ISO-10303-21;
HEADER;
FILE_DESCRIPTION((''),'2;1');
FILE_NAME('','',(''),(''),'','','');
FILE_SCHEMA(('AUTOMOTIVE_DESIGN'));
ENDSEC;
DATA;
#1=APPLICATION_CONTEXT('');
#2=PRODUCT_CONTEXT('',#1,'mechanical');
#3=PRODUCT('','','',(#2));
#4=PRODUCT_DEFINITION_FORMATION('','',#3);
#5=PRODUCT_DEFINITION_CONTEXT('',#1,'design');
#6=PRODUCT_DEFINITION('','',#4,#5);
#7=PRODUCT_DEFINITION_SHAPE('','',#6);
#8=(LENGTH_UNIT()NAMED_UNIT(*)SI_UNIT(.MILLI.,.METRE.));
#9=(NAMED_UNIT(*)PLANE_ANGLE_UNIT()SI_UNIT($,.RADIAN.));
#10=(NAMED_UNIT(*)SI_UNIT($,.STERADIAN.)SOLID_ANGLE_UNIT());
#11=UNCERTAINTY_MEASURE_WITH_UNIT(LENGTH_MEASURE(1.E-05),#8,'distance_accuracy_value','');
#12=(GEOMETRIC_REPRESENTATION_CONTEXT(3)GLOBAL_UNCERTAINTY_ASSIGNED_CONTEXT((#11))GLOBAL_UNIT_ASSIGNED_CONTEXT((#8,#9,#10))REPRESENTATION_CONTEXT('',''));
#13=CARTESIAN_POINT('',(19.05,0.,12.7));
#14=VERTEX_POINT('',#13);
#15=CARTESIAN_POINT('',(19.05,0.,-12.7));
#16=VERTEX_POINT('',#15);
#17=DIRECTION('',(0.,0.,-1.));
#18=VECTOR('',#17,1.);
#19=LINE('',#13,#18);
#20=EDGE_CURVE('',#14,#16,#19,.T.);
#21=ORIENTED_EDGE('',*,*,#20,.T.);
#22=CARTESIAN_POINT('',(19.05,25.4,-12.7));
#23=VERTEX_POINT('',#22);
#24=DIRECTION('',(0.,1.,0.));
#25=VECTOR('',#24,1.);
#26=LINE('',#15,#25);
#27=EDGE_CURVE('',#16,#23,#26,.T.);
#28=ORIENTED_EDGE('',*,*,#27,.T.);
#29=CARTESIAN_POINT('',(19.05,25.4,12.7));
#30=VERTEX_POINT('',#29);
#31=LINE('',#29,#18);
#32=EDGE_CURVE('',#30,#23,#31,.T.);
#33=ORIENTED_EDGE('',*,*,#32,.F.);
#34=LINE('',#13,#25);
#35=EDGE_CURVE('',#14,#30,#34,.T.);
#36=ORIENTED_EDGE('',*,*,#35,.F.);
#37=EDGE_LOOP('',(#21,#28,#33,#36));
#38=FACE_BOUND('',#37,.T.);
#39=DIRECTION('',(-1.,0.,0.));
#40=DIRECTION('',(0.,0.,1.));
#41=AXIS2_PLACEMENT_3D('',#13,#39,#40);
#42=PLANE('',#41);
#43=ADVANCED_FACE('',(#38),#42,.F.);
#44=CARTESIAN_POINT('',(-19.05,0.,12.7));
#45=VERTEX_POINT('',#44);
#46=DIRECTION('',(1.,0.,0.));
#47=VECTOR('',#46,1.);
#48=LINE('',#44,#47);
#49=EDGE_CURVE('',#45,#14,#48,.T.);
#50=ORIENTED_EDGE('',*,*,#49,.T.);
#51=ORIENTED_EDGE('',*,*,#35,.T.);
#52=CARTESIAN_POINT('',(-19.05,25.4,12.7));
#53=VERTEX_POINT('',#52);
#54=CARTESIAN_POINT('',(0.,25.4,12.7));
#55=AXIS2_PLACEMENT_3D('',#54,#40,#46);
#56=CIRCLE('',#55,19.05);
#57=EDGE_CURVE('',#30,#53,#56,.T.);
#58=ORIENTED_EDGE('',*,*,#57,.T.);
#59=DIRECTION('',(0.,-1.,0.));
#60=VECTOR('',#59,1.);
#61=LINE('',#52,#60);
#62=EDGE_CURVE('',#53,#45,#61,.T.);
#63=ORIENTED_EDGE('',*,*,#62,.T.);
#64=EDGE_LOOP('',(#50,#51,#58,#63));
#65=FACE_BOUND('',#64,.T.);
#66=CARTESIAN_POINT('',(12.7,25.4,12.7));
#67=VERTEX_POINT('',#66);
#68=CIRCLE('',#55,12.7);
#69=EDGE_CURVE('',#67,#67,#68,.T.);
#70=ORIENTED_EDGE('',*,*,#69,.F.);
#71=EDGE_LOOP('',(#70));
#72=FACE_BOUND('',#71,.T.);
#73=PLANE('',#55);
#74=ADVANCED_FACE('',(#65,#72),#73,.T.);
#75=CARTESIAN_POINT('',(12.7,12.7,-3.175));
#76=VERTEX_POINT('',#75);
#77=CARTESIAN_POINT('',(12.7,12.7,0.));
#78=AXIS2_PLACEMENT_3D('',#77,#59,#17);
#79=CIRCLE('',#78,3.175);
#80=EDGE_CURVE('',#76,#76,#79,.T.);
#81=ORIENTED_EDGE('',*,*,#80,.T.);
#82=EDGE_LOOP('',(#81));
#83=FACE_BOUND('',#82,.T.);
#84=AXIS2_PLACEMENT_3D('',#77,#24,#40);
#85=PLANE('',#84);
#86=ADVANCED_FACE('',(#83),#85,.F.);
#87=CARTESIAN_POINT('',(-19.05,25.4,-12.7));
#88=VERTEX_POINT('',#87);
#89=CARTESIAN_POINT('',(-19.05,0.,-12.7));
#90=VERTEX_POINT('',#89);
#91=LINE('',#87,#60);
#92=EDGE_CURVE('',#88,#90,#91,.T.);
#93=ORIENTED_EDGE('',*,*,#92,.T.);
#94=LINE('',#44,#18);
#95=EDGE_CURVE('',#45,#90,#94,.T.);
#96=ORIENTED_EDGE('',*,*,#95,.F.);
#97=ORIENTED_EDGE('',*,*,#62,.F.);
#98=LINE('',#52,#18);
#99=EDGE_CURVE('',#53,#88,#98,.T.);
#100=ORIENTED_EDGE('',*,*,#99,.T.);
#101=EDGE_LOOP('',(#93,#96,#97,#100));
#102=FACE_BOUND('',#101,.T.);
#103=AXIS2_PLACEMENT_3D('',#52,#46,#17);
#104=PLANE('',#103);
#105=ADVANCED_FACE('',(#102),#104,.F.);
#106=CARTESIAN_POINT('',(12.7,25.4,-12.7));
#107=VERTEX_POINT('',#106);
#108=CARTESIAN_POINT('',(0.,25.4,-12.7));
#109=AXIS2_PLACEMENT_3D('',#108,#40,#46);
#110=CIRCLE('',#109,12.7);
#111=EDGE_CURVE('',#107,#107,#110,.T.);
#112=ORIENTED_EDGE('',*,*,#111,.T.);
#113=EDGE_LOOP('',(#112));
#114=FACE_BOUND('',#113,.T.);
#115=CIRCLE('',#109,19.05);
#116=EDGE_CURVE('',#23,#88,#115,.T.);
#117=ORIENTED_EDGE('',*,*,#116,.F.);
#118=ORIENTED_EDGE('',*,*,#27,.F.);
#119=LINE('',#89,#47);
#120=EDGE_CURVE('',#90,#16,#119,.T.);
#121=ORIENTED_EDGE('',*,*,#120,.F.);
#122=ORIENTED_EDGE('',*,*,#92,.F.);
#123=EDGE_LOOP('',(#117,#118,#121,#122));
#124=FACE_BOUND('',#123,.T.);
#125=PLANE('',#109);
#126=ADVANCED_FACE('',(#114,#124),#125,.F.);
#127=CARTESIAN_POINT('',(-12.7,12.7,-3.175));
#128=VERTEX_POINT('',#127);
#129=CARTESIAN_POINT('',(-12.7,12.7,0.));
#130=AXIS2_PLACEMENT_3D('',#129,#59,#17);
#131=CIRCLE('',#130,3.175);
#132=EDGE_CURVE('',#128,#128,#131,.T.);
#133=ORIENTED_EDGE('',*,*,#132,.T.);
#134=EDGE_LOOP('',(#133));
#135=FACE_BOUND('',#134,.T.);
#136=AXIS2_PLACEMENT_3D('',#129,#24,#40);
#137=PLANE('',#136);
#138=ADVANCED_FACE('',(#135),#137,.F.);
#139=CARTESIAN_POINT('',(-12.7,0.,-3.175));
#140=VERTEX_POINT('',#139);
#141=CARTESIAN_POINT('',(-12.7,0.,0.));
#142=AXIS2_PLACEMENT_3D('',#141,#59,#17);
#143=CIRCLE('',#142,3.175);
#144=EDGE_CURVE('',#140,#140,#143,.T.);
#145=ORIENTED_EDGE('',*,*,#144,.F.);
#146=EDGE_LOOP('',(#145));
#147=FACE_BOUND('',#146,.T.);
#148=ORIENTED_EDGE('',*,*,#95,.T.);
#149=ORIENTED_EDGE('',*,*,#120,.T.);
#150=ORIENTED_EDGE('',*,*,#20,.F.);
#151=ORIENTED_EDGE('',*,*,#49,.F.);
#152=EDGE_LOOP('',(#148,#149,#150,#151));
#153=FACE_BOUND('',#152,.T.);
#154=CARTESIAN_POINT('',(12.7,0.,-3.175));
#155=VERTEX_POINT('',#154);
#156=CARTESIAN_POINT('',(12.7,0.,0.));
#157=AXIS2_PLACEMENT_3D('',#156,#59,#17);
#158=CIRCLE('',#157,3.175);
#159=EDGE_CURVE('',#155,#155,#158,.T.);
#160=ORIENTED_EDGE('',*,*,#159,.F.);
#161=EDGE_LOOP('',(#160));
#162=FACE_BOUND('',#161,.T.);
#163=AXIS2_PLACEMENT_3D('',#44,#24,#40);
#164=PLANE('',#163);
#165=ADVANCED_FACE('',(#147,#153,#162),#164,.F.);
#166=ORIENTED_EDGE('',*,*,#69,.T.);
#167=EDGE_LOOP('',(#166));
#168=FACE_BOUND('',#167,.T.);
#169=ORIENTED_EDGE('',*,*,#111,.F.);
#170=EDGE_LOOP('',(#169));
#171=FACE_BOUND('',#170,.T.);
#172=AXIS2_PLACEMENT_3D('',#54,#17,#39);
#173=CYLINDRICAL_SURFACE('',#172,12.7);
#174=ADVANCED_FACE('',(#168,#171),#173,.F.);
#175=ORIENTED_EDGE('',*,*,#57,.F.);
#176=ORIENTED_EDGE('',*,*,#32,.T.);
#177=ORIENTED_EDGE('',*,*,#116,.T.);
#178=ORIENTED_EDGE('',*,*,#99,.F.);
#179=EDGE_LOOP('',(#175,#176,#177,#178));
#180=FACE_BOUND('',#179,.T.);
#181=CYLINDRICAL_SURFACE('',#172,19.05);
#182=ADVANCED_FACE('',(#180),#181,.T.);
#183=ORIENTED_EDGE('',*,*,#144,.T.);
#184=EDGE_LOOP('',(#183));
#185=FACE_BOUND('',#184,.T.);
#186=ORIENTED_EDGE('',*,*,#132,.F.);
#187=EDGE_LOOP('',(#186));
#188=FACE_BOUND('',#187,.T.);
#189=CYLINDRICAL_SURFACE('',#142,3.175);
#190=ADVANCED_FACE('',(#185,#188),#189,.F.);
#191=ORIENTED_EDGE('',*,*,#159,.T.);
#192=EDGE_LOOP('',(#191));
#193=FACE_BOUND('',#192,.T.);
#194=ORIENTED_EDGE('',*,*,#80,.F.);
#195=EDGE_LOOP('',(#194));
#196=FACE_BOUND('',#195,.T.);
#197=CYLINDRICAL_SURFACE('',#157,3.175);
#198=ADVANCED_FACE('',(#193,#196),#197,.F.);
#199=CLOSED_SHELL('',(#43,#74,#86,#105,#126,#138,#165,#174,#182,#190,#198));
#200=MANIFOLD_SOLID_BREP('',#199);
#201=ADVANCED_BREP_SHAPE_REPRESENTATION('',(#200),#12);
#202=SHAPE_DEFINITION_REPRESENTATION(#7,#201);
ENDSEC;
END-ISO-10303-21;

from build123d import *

# Parameters (mm, degrees)
SKETCH1_R           = 12.7
BOSS_EXTRUDE1_DEPTH = 12.7
HOLE1_D             = 6.35
HOLE1_DEPTH         = 12.7


with BuildPart() as part:
    # Sketch1 → Boss-Extrude1 (new, symmetric)
    with BuildSketch(Plane.XY):
        with BuildLine():
            Line((-19.05, 25.4), (-19.05, 0))
            Line((-19.05, 0), (19.05, 0))
            Line((19.05, 0), (19.05, 25.4))
            ThreePointArc((19.05, 25.4), (0, 44.45), (-19.05, 25.4))
        make_face()
        with Locations((0, 25.4)):
            Circle(SKETCH1_R, mode=Mode.SUBTRACT)
    extrude(amount=BOSS_EXTRUDE1_DEPTH, both=True)

    # Hole1
    with Locations(Plane(origin=(0, 0, 0), x_dir=(-1, 0, 0), z_dir=(0, -1, 0))):
        with Locations((-12.7, 0), (12.7, 0)):
            Hole(HOLE1_D / 2, depth=HOLE1_DEPTH)


solid = part.part
